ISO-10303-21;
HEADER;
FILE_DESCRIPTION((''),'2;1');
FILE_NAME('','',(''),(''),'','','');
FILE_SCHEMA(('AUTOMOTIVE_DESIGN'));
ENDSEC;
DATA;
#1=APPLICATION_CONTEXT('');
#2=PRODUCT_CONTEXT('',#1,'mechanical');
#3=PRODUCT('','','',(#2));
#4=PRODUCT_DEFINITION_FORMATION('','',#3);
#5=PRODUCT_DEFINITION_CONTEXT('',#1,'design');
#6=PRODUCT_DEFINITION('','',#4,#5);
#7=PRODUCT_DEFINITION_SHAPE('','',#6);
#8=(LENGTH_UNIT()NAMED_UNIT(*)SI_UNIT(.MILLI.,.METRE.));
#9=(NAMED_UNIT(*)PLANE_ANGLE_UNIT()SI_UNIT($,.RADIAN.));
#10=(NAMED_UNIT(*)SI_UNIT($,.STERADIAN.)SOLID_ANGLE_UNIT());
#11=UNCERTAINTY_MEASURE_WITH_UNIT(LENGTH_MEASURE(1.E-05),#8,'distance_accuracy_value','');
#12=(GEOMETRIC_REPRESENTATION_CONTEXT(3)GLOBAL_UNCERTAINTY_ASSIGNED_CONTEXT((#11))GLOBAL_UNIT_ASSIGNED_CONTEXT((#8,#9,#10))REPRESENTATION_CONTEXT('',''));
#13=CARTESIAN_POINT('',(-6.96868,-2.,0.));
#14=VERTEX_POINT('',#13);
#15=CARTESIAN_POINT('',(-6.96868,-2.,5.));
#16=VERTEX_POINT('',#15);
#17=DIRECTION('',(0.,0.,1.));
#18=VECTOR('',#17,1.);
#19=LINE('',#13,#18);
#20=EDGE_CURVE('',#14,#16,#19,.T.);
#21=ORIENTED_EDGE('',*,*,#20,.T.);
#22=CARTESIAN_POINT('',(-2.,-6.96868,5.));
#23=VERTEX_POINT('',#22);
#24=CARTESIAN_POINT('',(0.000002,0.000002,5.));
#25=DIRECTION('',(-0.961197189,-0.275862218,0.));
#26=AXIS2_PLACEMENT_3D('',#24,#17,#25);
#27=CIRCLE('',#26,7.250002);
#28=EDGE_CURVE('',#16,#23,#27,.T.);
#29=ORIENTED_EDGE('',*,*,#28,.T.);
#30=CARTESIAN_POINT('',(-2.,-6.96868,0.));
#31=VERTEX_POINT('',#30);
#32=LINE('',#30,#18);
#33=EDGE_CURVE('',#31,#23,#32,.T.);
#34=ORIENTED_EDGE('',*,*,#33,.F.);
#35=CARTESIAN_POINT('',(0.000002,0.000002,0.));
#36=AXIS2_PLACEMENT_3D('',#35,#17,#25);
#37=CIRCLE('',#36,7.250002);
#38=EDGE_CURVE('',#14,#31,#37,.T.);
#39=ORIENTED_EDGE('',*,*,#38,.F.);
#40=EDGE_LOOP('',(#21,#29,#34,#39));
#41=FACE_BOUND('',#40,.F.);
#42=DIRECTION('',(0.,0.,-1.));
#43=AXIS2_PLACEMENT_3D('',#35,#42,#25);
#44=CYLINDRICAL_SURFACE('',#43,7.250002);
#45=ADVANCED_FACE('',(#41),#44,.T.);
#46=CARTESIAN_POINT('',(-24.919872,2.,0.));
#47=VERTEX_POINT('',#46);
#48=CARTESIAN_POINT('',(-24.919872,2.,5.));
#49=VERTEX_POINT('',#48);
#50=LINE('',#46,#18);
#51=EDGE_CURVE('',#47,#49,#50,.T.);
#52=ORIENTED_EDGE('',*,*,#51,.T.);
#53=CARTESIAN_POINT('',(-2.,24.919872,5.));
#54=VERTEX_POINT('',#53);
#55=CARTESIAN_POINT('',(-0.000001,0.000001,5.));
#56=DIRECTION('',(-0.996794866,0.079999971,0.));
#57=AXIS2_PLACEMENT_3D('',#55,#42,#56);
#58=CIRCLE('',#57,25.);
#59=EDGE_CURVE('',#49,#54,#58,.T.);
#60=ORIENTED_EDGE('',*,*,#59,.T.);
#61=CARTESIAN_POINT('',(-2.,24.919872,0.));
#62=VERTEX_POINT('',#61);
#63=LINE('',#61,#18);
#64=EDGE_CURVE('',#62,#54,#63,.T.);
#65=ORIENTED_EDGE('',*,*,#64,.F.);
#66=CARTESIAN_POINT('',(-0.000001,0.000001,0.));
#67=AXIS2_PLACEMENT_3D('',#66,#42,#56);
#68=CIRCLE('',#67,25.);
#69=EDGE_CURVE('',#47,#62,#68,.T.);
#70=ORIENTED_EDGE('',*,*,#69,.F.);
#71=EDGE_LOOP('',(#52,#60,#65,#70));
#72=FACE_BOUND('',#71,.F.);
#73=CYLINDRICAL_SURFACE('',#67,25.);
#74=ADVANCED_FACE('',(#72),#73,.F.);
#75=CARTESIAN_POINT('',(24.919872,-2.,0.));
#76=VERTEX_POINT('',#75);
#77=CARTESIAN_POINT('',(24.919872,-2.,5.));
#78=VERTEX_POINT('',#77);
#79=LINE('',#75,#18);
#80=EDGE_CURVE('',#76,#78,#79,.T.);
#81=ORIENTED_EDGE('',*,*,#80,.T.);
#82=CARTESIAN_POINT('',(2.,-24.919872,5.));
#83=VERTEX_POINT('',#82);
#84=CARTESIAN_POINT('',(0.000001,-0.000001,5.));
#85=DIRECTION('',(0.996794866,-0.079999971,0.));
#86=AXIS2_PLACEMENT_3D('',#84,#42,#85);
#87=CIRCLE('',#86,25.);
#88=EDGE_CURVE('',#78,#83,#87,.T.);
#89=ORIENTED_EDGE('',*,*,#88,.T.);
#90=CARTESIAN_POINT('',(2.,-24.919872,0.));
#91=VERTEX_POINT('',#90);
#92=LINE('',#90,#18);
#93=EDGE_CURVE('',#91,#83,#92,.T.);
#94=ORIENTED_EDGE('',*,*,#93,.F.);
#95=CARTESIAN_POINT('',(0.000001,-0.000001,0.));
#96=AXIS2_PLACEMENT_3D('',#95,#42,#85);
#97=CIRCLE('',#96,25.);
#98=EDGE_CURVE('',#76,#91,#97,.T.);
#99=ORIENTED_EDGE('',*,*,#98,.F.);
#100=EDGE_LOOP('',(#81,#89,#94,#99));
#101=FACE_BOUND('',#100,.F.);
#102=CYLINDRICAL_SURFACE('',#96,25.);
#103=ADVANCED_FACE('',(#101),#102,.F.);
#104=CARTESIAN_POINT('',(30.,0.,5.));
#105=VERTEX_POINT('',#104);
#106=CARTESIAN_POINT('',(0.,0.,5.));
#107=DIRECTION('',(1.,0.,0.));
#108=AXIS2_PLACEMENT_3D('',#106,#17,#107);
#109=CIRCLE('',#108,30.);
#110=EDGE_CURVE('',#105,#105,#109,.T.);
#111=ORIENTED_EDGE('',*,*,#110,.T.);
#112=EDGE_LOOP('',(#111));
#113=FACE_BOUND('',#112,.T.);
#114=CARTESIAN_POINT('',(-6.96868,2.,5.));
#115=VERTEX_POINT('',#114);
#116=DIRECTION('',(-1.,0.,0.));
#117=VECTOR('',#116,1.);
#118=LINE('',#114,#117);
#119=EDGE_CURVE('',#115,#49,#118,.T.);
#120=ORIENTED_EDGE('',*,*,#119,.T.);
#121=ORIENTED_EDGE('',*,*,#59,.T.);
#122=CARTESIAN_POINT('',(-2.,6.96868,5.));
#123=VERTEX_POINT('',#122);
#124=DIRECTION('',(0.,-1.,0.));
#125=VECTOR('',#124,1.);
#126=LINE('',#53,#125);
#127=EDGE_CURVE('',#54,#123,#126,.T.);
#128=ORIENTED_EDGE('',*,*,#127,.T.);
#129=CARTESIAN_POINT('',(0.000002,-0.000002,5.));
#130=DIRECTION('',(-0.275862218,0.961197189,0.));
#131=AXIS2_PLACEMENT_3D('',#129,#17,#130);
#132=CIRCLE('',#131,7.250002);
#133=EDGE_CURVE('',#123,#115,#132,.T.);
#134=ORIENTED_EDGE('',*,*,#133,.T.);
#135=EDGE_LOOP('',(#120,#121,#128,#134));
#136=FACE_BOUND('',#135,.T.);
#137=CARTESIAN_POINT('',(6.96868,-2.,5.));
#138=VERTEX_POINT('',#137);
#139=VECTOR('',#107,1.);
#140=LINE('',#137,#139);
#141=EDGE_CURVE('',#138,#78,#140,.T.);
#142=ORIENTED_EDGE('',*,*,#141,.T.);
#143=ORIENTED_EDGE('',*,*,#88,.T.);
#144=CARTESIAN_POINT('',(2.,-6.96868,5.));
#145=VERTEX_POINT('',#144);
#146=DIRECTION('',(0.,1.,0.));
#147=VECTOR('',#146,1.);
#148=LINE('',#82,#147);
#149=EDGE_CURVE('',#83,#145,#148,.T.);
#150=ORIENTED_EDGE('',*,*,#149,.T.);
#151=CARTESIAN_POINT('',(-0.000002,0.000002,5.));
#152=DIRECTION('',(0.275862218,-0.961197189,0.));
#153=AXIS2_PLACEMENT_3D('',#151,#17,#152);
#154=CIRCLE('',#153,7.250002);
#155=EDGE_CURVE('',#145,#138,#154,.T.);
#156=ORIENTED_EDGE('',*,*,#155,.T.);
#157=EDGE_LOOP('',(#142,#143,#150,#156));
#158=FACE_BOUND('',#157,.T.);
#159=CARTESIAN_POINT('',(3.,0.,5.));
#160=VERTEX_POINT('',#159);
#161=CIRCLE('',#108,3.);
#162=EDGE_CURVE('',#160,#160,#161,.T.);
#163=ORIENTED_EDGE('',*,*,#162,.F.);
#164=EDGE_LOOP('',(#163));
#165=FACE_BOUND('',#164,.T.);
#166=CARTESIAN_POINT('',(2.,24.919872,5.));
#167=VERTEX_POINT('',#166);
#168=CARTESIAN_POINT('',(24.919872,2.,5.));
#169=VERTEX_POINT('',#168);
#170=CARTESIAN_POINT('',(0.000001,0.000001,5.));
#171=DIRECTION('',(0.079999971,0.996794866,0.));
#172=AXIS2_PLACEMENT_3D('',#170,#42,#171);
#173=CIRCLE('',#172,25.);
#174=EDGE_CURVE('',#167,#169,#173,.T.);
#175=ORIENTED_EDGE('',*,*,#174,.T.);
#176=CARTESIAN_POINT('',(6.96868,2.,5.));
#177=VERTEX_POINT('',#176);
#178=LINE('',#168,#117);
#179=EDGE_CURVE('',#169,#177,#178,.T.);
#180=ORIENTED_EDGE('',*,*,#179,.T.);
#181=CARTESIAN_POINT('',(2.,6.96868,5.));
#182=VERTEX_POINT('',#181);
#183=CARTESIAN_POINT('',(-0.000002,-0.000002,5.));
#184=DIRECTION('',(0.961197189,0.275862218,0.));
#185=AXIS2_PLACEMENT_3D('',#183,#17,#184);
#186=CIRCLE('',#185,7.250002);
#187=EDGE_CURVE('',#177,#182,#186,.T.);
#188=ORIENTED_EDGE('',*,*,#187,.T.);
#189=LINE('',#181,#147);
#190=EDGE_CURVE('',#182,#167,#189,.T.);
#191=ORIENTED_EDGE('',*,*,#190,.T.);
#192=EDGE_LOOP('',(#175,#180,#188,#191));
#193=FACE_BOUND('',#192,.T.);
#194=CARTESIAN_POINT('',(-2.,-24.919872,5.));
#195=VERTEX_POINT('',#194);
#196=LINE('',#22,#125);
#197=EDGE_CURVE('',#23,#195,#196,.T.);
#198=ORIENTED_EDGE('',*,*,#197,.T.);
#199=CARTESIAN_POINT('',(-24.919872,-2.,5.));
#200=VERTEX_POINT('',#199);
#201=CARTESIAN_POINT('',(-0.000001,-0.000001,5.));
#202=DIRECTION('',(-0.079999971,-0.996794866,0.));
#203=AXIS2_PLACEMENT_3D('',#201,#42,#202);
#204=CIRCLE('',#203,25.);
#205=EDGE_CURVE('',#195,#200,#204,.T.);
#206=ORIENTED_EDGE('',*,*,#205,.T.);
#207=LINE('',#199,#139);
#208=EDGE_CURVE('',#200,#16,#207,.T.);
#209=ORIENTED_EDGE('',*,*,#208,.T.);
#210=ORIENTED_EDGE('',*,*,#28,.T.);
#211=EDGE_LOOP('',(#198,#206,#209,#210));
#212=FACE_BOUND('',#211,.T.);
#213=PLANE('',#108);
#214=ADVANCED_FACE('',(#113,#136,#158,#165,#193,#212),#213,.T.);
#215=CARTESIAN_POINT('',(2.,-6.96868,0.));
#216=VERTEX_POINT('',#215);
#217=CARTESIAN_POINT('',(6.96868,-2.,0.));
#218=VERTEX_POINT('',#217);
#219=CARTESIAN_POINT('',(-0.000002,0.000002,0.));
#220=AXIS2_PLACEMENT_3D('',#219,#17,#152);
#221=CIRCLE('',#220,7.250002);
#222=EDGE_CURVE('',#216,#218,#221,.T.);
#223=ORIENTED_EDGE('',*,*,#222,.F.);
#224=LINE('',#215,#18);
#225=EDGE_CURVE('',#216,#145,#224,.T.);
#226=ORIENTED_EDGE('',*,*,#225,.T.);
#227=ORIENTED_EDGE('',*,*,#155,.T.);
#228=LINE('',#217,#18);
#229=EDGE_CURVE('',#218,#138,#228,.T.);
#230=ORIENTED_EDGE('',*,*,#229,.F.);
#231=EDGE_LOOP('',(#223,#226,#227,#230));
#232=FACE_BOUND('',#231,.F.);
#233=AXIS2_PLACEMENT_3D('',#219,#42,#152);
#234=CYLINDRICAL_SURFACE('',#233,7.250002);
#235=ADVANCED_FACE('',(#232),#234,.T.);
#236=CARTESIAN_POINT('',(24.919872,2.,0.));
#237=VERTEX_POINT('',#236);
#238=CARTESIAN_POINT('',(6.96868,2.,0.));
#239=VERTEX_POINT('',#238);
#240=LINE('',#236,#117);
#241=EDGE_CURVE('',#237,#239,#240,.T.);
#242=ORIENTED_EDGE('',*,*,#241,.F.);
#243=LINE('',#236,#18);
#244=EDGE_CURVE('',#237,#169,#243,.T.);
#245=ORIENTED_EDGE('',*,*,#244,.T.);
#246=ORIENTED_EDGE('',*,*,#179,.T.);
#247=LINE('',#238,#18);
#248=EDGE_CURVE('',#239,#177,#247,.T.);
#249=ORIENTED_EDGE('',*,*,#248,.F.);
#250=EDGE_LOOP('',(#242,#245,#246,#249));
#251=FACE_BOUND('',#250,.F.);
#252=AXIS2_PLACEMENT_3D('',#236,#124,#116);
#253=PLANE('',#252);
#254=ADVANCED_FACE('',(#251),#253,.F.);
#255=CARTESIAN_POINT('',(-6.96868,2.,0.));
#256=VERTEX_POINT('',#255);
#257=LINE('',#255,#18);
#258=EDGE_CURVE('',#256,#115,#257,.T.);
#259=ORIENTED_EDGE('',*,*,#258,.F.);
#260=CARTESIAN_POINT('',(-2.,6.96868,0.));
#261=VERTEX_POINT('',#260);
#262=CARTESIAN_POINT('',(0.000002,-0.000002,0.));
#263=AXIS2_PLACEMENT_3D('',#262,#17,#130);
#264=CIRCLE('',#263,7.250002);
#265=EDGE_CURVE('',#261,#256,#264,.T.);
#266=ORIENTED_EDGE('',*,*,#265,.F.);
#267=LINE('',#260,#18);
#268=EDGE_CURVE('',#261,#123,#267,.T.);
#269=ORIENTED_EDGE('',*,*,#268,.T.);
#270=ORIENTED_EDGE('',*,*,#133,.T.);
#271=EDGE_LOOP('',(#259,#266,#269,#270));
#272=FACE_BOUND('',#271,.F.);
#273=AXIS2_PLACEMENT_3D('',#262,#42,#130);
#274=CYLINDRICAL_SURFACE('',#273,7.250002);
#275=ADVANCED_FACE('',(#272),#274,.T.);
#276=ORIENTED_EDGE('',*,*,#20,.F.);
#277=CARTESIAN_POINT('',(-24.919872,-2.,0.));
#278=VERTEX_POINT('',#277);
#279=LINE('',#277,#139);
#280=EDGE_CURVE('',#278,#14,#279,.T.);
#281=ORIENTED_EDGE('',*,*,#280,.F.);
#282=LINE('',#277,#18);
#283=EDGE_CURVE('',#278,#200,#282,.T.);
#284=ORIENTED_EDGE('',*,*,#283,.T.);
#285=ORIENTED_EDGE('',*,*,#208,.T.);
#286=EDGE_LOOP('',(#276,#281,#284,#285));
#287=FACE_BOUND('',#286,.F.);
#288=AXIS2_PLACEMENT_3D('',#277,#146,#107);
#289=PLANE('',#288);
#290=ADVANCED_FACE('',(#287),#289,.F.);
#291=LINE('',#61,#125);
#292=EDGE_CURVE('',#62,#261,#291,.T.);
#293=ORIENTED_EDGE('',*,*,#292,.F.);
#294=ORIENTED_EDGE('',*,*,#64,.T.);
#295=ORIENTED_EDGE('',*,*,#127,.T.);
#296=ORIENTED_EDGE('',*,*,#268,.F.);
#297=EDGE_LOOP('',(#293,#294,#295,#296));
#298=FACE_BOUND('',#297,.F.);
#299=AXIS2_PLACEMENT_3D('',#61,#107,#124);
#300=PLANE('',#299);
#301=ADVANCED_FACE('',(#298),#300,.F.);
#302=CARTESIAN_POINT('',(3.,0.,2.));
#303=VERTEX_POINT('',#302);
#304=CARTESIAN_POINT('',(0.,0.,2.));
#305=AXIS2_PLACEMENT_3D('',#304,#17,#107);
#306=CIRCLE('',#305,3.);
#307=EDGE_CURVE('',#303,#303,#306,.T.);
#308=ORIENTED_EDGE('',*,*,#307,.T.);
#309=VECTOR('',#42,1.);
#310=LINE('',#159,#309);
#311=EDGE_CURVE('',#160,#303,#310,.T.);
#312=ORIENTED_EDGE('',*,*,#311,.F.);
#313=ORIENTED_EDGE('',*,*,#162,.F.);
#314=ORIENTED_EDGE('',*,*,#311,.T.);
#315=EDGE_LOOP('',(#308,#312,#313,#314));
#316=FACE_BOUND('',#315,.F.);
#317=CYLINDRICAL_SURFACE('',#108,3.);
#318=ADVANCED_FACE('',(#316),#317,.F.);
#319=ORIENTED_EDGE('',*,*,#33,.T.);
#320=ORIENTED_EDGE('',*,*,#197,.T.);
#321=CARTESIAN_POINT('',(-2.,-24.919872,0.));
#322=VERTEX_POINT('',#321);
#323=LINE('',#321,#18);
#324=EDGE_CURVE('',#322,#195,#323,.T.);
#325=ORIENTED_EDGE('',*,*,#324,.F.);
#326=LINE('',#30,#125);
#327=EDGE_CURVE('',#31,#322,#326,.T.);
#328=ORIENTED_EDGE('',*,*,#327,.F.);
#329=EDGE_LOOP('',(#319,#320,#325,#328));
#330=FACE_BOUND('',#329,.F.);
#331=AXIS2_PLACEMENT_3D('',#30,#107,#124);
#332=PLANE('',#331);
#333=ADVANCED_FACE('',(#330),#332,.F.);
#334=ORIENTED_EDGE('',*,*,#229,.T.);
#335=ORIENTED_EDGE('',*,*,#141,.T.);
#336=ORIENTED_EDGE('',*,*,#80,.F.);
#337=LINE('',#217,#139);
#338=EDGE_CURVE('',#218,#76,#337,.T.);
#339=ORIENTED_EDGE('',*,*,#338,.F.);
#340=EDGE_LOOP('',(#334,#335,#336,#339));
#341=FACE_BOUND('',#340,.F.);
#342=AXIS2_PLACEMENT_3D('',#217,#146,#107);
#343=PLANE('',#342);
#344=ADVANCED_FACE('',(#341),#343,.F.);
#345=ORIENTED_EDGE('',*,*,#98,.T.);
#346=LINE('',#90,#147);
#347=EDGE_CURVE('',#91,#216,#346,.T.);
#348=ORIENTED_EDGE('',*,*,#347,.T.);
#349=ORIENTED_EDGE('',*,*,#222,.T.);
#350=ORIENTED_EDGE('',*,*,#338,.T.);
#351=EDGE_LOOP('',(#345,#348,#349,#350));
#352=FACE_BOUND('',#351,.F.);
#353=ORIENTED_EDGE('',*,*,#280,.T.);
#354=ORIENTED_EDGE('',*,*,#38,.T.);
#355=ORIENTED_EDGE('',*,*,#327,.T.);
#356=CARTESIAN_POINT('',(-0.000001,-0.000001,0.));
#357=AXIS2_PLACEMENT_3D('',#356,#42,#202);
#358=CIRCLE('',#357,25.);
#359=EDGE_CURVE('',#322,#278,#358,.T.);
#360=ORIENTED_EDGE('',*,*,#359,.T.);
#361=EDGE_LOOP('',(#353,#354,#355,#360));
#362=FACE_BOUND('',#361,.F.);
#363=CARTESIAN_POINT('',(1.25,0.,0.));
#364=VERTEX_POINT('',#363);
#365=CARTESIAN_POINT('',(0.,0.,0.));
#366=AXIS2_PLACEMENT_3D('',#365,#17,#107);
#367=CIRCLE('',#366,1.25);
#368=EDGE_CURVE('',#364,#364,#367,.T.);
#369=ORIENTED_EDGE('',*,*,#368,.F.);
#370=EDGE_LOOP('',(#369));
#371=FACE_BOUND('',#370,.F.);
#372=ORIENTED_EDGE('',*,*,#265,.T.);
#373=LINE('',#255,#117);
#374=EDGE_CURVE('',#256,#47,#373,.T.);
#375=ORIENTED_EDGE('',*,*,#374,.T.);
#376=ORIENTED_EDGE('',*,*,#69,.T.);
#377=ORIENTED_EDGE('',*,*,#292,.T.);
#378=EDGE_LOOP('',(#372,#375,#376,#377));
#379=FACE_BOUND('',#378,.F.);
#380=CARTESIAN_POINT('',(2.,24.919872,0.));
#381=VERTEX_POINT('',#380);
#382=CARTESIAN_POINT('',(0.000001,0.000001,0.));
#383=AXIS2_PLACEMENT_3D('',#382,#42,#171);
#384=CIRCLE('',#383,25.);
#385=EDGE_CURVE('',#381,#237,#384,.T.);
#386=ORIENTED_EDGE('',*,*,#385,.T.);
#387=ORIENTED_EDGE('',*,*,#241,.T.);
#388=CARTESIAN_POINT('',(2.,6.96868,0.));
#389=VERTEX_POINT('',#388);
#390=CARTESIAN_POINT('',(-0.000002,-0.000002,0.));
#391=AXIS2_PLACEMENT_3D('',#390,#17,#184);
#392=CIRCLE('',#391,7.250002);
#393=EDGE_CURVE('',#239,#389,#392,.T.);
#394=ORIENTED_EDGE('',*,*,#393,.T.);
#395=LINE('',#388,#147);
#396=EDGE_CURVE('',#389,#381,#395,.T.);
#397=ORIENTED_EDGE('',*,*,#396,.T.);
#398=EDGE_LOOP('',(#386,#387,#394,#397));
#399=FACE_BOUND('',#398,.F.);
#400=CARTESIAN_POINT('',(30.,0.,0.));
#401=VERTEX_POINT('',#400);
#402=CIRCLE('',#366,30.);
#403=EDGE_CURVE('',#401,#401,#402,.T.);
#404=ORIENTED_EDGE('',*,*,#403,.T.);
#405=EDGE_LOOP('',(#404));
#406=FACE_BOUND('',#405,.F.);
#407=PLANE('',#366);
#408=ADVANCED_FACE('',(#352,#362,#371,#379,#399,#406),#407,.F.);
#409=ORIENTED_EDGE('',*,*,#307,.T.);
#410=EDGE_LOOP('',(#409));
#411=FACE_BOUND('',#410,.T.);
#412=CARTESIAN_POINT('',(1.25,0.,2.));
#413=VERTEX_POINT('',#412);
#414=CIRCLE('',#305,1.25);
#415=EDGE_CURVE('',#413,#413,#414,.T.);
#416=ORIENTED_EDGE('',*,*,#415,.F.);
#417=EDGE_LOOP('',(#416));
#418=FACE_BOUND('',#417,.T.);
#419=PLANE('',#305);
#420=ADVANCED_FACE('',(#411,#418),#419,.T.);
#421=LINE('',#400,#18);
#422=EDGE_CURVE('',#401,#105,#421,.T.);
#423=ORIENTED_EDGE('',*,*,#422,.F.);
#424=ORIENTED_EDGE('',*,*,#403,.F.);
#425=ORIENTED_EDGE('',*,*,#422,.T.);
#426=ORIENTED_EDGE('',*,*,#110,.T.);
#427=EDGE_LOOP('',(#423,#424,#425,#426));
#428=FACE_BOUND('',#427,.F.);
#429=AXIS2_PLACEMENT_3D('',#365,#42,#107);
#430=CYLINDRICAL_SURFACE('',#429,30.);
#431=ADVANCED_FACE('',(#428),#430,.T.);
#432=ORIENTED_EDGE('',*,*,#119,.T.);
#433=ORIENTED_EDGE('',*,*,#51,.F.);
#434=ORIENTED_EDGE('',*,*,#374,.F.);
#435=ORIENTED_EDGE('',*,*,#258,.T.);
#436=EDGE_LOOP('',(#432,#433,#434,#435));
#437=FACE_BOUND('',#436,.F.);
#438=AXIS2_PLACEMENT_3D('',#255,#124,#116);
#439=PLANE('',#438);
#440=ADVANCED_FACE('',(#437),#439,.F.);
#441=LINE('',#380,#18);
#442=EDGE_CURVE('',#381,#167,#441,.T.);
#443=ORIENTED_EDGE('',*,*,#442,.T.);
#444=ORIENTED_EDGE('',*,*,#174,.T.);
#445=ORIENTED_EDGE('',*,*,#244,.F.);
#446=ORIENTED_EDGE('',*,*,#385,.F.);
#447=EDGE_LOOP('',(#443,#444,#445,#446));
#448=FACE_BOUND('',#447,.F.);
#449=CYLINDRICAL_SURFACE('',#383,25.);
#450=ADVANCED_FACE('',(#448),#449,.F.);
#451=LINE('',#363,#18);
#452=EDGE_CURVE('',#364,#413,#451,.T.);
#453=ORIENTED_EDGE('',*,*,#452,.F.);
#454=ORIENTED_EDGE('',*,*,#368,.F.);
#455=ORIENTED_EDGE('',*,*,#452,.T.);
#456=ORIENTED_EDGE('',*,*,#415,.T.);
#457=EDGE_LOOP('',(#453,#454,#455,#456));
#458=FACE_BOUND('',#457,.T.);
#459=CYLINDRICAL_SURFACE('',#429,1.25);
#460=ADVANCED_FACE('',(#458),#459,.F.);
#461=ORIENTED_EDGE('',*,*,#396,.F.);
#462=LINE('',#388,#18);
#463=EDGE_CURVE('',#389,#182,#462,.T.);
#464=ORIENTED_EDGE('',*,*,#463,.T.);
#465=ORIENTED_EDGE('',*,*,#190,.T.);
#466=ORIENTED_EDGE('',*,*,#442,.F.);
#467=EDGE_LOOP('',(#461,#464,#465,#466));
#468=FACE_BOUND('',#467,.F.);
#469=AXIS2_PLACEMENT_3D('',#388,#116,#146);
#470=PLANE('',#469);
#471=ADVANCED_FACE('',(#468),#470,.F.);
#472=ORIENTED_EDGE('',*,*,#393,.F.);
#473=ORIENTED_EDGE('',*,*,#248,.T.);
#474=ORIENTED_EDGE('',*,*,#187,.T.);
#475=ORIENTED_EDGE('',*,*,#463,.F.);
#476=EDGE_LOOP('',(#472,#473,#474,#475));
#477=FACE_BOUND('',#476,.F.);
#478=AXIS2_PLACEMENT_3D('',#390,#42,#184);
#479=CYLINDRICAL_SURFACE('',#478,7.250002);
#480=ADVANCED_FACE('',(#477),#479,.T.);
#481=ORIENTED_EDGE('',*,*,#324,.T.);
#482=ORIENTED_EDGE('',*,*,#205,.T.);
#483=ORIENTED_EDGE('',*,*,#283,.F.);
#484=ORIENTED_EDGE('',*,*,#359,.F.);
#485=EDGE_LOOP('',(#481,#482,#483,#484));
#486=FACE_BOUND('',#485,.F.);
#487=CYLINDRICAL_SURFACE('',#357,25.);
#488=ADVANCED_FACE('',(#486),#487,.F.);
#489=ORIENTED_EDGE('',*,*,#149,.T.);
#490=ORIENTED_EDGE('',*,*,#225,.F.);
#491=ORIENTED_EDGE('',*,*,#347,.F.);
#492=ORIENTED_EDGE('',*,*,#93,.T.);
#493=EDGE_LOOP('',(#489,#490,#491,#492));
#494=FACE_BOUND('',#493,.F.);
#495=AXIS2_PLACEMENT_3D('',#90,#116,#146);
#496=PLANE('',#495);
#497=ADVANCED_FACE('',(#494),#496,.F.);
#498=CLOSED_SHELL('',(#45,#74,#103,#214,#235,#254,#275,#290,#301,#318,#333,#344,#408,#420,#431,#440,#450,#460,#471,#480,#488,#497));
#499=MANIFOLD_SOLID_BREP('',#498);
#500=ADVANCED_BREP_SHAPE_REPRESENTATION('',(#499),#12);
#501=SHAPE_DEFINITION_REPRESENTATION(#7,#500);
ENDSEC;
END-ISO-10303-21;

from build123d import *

# Parameters (mm, degrees)
F0_R     = 30
F0_R_2   = 1.25
F1_DEPTH = 5
F2_R     = 3
F2_R_2   = 1.25
F3_DEPTH = 3


with BuildPart() as f1:
    # F0 (on Top) → F1 (new body)
    with BuildSketch(Plane.XY):
        Circle(F0_R)
        with BuildLine():
            ThreePointArc((-6.96868, -2), (-5.126524, -5.126524), (-2, -6.96868))
            Line((-2, -6.96868), (-2, -24.919872))
            ThreePointArc((-2, -24.919872), (-17.67767, -17.67767), (-24.919872, -2))
            Line((-24.919872, -2), (-6.96868, -2))
        make_face(mode=Mode.SUBTRACT)
        with BuildLine():
            Line((2, -24.919872), (2, -6.96868))
            ThreePointArc((2, -6.96868), (5.126524, -5.126524), (6.96868, -2))
            Line((6.96868, -2), (24.919872, -2))
            ThreePointArc((24.919872, -2), (17.67767, -17.67767), (2, -24.919872))
        make_face(mode=Mode.SUBTRACT)
        with BuildLine():
            ThreePointArc((-24.919872, 2), (-17.67767, 17.67767), (-2, 24.919872))
            Line((-2, 24.919872), (-2, 6.96868))
            ThreePointArc((-2, 6.96868), (-5.126524, 5.126524), (-6.96868, 2))
            Line((-6.96868, 2), (-24.919872, 2))
        make_face(mode=Mode.SUBTRACT)
        Circle(F0_R_2, mode=Mode.SUBTRACT)
        with BuildLine():
            ThreePointArc((6.96868, 2), (5.126524, 5.126524), (2, 6.96868))
            Line((2, 6.96868), (2, 24.919872))
            ThreePointArc((2, 24.919872), (17.67767, 17.67767), (24.919872, 2))
            Line((24.919872, 2), (6.96868, 2))
        make_face(mode=Mode.SUBTRACT)
    extrude(amount=F1_DEPTH)

    # F2 (on face) → F3 (cut)
    with BuildSketch(Plane.XY.offset(5)):
        Circle(F2_R)
        Circle(F2_R_2, mode=Mode.SUBTRACT)
    extrude(amount=-F3_DEPTH, mode=Mode.SUBTRACT)


solid = f1.part
